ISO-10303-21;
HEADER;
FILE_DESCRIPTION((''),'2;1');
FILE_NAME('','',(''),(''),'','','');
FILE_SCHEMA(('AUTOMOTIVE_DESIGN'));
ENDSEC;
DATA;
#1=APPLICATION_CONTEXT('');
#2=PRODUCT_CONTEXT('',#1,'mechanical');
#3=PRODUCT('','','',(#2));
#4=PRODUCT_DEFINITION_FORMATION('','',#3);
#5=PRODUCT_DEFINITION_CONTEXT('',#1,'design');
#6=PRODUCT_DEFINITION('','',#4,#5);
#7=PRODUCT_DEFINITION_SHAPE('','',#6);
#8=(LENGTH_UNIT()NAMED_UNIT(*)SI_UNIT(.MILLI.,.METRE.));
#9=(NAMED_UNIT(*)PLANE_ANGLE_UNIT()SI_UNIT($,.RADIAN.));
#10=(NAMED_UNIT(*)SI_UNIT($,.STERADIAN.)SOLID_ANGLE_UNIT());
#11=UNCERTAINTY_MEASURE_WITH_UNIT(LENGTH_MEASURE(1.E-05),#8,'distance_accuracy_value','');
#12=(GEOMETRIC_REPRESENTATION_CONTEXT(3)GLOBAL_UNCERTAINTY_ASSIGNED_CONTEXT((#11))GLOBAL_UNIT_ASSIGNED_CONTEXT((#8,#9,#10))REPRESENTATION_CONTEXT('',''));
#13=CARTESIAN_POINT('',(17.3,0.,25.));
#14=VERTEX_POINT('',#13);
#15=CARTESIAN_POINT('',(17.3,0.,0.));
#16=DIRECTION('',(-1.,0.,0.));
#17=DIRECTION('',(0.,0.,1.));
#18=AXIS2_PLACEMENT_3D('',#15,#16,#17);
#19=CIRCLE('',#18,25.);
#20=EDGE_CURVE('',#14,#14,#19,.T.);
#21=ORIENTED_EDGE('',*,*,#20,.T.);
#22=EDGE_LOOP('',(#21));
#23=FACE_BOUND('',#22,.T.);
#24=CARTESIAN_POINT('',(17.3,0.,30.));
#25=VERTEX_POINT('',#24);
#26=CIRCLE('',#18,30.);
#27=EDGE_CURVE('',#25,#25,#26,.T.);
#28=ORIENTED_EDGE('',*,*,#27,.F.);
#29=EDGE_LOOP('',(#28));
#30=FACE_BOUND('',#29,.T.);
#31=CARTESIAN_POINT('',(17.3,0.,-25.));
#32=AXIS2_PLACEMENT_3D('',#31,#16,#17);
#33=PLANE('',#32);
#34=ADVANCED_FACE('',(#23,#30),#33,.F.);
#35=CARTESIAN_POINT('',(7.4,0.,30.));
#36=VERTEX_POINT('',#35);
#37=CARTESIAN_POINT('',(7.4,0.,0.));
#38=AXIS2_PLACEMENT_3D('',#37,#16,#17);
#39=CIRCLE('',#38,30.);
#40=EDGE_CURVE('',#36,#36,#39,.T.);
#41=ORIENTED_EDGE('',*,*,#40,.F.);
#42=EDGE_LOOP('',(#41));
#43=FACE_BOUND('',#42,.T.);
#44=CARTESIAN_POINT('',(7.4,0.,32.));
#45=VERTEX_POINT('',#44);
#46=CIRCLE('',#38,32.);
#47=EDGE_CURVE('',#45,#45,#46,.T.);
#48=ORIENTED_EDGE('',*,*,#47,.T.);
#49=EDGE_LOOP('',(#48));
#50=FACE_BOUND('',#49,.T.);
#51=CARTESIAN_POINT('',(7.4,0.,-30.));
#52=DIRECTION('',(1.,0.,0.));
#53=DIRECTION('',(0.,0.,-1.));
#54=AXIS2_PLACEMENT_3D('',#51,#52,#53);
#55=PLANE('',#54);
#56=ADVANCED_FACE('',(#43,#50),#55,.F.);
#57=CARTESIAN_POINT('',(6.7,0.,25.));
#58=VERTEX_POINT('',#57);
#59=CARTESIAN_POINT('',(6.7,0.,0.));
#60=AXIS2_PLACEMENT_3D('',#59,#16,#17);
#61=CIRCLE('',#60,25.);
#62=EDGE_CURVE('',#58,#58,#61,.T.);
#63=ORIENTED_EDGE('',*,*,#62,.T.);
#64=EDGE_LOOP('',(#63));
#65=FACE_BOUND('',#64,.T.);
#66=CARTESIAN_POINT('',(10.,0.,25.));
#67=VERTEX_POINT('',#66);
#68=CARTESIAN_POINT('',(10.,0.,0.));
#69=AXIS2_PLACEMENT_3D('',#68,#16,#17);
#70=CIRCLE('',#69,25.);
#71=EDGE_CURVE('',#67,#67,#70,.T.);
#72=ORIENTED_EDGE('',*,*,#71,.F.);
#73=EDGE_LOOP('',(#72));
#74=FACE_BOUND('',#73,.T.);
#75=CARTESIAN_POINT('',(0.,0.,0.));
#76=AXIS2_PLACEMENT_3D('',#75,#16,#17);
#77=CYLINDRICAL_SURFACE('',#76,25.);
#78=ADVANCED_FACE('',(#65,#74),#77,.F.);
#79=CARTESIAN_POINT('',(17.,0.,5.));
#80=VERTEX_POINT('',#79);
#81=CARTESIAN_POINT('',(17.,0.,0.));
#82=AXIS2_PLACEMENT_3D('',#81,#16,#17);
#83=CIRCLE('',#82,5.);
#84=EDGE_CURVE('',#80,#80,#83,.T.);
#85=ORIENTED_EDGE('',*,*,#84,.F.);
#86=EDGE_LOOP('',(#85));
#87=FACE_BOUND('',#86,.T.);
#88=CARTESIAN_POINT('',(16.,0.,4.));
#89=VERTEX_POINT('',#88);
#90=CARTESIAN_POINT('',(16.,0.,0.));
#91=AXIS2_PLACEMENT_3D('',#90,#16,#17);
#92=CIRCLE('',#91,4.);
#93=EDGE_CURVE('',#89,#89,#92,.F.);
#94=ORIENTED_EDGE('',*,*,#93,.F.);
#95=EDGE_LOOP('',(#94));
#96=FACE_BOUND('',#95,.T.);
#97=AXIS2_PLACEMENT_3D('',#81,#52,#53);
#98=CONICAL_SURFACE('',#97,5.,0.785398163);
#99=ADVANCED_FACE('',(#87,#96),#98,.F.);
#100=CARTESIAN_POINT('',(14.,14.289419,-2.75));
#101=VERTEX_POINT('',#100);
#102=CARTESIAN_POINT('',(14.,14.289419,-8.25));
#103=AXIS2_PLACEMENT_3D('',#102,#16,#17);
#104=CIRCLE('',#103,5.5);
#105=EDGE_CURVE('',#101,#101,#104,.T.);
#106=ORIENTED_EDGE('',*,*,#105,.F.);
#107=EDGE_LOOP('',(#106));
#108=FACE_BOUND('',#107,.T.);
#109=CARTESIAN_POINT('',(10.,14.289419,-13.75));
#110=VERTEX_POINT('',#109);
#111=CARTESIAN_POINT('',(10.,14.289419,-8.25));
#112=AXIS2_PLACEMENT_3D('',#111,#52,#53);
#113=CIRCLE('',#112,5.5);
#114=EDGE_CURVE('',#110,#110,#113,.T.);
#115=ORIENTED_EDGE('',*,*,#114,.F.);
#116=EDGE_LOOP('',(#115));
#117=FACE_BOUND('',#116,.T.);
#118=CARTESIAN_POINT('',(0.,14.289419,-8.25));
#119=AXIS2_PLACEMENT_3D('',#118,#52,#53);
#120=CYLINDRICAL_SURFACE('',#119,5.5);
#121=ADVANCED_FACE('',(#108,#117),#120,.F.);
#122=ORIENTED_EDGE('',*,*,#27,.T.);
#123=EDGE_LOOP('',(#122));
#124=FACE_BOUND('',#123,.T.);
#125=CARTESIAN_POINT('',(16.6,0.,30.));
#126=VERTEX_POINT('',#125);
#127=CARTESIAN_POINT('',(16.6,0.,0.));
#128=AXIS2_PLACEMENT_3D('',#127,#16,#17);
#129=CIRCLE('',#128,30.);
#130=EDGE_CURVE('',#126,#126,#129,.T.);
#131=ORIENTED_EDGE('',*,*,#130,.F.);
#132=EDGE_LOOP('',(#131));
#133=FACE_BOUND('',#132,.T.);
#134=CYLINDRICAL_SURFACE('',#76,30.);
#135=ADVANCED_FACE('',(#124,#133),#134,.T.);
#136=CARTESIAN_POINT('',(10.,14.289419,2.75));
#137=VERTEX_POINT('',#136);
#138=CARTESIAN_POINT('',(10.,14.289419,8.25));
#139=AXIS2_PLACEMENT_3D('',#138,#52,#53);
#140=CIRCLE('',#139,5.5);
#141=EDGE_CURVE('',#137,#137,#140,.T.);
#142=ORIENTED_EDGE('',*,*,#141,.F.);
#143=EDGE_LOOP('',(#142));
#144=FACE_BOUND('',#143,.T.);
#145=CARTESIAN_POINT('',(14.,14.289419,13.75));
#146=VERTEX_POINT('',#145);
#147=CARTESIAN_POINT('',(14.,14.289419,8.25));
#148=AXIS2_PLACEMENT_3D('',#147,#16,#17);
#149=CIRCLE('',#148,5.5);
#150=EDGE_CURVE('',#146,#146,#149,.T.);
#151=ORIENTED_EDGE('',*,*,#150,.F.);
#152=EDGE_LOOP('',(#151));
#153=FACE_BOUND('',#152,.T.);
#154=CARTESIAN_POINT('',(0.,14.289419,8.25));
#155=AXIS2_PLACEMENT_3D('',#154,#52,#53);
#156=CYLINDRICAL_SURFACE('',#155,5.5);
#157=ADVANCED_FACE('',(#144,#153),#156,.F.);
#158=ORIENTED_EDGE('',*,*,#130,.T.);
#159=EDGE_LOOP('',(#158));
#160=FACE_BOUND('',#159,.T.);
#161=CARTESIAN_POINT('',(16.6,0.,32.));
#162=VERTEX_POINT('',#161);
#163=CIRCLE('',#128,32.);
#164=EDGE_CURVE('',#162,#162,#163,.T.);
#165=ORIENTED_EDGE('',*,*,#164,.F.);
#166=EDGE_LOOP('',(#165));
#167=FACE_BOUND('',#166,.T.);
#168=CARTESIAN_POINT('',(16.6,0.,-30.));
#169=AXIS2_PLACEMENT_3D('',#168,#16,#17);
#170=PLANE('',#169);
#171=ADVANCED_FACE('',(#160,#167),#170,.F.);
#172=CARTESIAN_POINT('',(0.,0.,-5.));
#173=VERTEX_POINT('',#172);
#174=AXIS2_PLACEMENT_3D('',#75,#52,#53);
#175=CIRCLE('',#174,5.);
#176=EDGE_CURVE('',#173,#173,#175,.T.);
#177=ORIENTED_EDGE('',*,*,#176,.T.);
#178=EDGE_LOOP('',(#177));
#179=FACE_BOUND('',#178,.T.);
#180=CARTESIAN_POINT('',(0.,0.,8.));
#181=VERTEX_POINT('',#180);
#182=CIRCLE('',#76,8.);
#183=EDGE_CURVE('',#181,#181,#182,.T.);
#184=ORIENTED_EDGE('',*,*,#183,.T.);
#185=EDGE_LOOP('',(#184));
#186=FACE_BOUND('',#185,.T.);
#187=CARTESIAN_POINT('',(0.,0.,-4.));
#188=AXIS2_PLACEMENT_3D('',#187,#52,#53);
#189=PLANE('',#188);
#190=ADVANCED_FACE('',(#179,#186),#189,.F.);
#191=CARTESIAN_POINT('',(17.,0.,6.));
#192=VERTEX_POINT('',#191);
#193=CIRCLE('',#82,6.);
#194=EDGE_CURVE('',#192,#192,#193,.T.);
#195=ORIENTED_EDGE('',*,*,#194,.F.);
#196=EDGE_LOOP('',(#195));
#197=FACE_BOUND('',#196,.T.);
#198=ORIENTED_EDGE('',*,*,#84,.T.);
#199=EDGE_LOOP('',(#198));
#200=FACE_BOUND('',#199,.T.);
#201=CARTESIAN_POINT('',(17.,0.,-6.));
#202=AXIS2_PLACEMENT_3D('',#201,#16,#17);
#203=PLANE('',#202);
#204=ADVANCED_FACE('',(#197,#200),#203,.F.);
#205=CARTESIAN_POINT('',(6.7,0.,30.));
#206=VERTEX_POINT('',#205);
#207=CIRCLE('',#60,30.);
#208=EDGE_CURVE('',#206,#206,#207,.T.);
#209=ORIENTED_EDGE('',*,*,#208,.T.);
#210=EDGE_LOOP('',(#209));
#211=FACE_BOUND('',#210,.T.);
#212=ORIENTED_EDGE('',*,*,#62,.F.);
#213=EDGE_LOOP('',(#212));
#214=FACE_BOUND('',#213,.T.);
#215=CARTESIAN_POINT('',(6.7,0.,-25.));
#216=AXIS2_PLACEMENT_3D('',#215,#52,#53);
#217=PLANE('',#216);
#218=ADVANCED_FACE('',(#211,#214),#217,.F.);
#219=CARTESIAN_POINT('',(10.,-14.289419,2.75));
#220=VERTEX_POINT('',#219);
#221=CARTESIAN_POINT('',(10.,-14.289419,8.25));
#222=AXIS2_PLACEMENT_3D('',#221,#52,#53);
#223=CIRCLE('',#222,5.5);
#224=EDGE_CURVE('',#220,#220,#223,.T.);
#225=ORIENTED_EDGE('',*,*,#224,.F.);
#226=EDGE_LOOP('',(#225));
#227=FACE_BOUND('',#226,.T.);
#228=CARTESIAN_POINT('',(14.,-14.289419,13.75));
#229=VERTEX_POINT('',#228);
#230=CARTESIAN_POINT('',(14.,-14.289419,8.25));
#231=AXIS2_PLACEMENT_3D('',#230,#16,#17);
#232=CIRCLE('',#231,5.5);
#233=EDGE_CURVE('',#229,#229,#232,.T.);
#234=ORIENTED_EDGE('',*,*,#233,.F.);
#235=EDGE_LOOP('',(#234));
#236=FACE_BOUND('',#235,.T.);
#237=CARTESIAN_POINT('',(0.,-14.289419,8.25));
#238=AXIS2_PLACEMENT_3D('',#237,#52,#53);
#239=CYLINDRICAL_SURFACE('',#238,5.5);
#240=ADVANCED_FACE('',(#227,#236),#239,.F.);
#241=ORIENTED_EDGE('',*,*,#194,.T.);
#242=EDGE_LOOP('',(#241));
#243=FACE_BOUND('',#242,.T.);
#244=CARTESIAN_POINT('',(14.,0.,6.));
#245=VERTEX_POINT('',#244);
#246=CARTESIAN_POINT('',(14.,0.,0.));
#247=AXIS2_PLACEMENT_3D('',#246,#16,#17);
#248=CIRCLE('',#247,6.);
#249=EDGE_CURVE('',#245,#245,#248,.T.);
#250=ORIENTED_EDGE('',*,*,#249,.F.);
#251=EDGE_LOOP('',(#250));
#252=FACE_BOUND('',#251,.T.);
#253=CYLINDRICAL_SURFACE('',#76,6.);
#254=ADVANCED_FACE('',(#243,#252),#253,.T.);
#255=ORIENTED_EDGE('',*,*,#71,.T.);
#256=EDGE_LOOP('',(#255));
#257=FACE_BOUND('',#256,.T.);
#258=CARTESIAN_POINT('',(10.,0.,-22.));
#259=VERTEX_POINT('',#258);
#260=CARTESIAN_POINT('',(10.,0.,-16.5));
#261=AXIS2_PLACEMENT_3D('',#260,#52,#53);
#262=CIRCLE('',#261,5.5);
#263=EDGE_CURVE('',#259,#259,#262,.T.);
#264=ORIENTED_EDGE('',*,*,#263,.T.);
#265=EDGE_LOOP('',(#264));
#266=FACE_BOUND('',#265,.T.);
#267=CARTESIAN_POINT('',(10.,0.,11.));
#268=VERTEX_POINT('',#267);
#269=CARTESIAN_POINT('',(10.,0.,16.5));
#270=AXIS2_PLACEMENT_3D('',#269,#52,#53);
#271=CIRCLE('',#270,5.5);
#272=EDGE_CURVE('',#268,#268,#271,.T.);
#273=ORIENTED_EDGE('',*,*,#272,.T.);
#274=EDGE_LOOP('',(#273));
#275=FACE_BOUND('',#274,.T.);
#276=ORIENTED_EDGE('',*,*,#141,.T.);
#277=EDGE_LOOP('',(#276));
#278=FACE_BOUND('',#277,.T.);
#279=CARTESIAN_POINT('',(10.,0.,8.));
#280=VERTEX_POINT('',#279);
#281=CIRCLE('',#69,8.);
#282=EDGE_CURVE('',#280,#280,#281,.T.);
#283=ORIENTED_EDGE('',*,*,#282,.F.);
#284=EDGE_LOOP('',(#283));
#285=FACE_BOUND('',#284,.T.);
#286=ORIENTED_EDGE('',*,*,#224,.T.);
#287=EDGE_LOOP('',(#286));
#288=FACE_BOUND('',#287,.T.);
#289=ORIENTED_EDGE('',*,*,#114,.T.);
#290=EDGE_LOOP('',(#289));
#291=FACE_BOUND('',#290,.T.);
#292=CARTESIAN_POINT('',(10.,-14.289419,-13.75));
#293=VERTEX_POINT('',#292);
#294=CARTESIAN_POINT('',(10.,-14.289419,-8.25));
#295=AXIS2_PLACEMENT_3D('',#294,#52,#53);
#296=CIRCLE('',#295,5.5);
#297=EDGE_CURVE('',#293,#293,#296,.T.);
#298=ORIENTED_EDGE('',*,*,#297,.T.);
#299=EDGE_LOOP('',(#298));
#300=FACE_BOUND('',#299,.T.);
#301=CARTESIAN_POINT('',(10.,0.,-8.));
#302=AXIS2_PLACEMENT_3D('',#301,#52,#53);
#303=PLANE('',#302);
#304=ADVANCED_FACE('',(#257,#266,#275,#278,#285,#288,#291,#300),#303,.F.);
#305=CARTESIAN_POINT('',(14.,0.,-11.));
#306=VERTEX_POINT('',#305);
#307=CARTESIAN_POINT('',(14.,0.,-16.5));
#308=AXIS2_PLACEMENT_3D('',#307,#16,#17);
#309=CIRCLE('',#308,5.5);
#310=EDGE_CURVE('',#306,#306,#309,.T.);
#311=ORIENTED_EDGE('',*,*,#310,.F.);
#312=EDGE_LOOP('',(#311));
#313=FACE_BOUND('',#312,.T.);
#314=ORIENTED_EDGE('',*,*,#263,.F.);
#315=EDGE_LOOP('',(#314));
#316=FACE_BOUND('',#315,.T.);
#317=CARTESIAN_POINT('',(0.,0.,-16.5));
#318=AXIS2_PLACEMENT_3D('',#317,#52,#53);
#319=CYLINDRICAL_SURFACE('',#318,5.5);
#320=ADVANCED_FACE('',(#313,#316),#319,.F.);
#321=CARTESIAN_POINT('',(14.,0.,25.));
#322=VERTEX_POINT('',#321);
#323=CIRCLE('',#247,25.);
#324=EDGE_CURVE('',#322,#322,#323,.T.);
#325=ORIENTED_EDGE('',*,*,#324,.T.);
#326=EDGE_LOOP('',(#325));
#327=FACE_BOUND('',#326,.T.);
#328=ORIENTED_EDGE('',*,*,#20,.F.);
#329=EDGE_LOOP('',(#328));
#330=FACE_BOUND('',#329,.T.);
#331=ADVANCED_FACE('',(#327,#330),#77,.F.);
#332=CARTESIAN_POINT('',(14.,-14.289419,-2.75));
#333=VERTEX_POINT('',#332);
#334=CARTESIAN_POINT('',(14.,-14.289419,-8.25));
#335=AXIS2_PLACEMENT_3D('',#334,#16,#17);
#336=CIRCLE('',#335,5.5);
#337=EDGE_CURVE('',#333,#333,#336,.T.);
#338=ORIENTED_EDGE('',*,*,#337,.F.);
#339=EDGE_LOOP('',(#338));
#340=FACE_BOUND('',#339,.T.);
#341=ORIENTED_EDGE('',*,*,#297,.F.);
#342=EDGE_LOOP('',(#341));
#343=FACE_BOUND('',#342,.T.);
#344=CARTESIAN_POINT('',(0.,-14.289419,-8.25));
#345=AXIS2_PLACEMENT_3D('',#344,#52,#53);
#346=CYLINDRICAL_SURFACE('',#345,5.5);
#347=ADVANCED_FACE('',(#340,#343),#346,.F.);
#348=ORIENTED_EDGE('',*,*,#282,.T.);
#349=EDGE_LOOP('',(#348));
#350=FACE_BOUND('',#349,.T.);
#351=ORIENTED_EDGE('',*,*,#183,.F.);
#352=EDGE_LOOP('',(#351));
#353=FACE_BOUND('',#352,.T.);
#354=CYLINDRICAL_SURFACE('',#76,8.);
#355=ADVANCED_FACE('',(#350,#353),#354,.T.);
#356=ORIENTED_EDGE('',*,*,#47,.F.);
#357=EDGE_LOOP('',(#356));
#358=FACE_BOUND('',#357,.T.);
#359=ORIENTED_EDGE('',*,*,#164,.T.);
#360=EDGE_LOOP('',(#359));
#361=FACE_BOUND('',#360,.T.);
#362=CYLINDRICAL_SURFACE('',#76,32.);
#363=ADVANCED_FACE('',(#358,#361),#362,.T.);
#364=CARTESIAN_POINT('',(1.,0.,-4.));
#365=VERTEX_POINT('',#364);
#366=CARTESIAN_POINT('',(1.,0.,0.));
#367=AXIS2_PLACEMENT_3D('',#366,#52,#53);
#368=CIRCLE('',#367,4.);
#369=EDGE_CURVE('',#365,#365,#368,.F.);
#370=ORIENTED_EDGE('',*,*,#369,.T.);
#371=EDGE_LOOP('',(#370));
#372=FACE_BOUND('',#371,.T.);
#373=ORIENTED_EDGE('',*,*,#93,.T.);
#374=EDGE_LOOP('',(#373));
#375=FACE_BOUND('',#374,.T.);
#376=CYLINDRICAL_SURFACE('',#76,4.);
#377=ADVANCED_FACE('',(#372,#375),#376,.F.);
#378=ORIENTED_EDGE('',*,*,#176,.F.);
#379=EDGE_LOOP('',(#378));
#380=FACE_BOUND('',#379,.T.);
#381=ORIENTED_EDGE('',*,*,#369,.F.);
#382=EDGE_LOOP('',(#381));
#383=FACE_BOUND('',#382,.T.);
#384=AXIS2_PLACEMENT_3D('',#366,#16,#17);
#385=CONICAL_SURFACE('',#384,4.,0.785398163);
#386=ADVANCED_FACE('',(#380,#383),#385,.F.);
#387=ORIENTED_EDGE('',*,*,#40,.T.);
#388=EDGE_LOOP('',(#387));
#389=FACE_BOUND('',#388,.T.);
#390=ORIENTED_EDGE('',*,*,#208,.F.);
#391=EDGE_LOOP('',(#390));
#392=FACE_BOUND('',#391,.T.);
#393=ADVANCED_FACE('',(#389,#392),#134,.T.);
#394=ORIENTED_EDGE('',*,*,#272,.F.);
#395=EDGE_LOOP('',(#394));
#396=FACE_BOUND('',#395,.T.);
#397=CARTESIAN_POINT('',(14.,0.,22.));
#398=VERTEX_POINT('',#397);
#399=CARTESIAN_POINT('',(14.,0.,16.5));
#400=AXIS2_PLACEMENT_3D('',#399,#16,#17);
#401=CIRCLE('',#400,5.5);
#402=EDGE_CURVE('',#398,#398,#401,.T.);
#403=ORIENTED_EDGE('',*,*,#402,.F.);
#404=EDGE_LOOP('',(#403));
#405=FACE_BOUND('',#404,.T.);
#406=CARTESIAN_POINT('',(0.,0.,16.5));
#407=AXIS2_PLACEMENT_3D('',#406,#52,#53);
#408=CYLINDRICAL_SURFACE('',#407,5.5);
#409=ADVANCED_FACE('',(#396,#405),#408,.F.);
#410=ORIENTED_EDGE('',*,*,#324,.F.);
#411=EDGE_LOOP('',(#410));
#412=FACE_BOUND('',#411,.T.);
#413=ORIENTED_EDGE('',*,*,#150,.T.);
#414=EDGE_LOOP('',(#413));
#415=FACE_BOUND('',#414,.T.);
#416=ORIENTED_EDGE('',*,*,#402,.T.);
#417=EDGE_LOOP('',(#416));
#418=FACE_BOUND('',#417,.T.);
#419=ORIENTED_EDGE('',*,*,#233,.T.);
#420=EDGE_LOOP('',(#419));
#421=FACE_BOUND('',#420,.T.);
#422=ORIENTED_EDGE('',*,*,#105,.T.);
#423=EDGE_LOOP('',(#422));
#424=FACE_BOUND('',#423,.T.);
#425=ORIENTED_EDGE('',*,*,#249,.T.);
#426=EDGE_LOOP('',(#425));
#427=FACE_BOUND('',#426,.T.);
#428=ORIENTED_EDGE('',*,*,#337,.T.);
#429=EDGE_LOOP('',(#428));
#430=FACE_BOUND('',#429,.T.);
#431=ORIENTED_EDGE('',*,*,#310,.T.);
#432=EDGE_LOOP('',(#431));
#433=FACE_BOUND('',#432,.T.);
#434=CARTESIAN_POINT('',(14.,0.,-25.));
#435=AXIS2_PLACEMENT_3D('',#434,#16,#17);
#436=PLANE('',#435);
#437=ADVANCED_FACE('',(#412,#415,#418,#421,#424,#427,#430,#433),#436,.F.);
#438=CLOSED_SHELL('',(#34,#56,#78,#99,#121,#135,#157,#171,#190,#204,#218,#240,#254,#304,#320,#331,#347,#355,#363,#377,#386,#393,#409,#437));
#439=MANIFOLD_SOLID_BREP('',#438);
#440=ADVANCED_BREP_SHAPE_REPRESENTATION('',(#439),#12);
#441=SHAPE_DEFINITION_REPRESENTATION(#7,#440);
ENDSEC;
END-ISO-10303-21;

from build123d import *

# Parameters (mm, degrees)
CHAMFER1_SIZE           = 1
CUT_EXTRUDE1_DEPTH      = 48.370877129
CUT_EXTRUDE1_DEPTH_BACK = 48.370877129
SKETCH2_R               = 5.5


with BuildPart() as part:
    # Sketch1 → Revolve1 (revolve)
    with BuildSketch(Plane(origin=(0, 0, 0), x_dir=(1, 0, 0), z_dir=(0, 1, 0)), mode=Mode.PRIVATE) as revolve1_sk:
        Polygon((17, 4), (0, 4), (0, 8), (10, 8), (10, 25), (6.7, 25), (6.7, 30), (7.4, 30), (7.4, 32), (16.6, 32), (16.6, 30), (17.3, 30), (17.3, 25), (14, 25), (14, 6), (17, 6), align=None)
    revolve(revolve1_sk.sketch.rotate(Axis((0, 0, 0), (1, 0, 0)), 180), axis=Axis((0, 0, 0), (1, 0, 0)))

    # Chamfer1
    chamfer1_edges = [part.edges().sort_by_distance(p)[0] for p in [
        (0, 0, -4),
        (17, 0, -4),
    ]]
    chamfer(chamfer1_edges, length=CHAMFER1_SIZE)

    # Sketch2 → Cut-Extrude1 (cut, two sides: drawn at the far end of the back side and taken through both)
    with BuildSketch(Plane(origin=(14, 0, 0), x_dir=(0, 0, -1), z_dir=(1, 0, 0)).offset(-CUT_EXTRUDE1_DEPTH_BACK)):
        with Locations((-16.5, 0)):
            Circle(SKETCH2_R)
        with Locations((-8.25, 14.289419162)):
            Circle(SKETCH2_R)
        with Locations((8.25, 14.289419162)):
            Circle(SKETCH2_R)
        with Locations((16.5, 0)):
            Circle(SKETCH2_R)
        with Locations((8.25, -14.289419162)):
            Circle(SKETCH2_R)
        with Locations((-8.25, -14.289419162)):
            Circle(SKETCH2_R)
    extrude(amount=CUT_EXTRUDE1_DEPTH + CUT_EXTRUDE1_DEPTH_BACK, mode=Mode.SUBTRACT)


solid = part.part
